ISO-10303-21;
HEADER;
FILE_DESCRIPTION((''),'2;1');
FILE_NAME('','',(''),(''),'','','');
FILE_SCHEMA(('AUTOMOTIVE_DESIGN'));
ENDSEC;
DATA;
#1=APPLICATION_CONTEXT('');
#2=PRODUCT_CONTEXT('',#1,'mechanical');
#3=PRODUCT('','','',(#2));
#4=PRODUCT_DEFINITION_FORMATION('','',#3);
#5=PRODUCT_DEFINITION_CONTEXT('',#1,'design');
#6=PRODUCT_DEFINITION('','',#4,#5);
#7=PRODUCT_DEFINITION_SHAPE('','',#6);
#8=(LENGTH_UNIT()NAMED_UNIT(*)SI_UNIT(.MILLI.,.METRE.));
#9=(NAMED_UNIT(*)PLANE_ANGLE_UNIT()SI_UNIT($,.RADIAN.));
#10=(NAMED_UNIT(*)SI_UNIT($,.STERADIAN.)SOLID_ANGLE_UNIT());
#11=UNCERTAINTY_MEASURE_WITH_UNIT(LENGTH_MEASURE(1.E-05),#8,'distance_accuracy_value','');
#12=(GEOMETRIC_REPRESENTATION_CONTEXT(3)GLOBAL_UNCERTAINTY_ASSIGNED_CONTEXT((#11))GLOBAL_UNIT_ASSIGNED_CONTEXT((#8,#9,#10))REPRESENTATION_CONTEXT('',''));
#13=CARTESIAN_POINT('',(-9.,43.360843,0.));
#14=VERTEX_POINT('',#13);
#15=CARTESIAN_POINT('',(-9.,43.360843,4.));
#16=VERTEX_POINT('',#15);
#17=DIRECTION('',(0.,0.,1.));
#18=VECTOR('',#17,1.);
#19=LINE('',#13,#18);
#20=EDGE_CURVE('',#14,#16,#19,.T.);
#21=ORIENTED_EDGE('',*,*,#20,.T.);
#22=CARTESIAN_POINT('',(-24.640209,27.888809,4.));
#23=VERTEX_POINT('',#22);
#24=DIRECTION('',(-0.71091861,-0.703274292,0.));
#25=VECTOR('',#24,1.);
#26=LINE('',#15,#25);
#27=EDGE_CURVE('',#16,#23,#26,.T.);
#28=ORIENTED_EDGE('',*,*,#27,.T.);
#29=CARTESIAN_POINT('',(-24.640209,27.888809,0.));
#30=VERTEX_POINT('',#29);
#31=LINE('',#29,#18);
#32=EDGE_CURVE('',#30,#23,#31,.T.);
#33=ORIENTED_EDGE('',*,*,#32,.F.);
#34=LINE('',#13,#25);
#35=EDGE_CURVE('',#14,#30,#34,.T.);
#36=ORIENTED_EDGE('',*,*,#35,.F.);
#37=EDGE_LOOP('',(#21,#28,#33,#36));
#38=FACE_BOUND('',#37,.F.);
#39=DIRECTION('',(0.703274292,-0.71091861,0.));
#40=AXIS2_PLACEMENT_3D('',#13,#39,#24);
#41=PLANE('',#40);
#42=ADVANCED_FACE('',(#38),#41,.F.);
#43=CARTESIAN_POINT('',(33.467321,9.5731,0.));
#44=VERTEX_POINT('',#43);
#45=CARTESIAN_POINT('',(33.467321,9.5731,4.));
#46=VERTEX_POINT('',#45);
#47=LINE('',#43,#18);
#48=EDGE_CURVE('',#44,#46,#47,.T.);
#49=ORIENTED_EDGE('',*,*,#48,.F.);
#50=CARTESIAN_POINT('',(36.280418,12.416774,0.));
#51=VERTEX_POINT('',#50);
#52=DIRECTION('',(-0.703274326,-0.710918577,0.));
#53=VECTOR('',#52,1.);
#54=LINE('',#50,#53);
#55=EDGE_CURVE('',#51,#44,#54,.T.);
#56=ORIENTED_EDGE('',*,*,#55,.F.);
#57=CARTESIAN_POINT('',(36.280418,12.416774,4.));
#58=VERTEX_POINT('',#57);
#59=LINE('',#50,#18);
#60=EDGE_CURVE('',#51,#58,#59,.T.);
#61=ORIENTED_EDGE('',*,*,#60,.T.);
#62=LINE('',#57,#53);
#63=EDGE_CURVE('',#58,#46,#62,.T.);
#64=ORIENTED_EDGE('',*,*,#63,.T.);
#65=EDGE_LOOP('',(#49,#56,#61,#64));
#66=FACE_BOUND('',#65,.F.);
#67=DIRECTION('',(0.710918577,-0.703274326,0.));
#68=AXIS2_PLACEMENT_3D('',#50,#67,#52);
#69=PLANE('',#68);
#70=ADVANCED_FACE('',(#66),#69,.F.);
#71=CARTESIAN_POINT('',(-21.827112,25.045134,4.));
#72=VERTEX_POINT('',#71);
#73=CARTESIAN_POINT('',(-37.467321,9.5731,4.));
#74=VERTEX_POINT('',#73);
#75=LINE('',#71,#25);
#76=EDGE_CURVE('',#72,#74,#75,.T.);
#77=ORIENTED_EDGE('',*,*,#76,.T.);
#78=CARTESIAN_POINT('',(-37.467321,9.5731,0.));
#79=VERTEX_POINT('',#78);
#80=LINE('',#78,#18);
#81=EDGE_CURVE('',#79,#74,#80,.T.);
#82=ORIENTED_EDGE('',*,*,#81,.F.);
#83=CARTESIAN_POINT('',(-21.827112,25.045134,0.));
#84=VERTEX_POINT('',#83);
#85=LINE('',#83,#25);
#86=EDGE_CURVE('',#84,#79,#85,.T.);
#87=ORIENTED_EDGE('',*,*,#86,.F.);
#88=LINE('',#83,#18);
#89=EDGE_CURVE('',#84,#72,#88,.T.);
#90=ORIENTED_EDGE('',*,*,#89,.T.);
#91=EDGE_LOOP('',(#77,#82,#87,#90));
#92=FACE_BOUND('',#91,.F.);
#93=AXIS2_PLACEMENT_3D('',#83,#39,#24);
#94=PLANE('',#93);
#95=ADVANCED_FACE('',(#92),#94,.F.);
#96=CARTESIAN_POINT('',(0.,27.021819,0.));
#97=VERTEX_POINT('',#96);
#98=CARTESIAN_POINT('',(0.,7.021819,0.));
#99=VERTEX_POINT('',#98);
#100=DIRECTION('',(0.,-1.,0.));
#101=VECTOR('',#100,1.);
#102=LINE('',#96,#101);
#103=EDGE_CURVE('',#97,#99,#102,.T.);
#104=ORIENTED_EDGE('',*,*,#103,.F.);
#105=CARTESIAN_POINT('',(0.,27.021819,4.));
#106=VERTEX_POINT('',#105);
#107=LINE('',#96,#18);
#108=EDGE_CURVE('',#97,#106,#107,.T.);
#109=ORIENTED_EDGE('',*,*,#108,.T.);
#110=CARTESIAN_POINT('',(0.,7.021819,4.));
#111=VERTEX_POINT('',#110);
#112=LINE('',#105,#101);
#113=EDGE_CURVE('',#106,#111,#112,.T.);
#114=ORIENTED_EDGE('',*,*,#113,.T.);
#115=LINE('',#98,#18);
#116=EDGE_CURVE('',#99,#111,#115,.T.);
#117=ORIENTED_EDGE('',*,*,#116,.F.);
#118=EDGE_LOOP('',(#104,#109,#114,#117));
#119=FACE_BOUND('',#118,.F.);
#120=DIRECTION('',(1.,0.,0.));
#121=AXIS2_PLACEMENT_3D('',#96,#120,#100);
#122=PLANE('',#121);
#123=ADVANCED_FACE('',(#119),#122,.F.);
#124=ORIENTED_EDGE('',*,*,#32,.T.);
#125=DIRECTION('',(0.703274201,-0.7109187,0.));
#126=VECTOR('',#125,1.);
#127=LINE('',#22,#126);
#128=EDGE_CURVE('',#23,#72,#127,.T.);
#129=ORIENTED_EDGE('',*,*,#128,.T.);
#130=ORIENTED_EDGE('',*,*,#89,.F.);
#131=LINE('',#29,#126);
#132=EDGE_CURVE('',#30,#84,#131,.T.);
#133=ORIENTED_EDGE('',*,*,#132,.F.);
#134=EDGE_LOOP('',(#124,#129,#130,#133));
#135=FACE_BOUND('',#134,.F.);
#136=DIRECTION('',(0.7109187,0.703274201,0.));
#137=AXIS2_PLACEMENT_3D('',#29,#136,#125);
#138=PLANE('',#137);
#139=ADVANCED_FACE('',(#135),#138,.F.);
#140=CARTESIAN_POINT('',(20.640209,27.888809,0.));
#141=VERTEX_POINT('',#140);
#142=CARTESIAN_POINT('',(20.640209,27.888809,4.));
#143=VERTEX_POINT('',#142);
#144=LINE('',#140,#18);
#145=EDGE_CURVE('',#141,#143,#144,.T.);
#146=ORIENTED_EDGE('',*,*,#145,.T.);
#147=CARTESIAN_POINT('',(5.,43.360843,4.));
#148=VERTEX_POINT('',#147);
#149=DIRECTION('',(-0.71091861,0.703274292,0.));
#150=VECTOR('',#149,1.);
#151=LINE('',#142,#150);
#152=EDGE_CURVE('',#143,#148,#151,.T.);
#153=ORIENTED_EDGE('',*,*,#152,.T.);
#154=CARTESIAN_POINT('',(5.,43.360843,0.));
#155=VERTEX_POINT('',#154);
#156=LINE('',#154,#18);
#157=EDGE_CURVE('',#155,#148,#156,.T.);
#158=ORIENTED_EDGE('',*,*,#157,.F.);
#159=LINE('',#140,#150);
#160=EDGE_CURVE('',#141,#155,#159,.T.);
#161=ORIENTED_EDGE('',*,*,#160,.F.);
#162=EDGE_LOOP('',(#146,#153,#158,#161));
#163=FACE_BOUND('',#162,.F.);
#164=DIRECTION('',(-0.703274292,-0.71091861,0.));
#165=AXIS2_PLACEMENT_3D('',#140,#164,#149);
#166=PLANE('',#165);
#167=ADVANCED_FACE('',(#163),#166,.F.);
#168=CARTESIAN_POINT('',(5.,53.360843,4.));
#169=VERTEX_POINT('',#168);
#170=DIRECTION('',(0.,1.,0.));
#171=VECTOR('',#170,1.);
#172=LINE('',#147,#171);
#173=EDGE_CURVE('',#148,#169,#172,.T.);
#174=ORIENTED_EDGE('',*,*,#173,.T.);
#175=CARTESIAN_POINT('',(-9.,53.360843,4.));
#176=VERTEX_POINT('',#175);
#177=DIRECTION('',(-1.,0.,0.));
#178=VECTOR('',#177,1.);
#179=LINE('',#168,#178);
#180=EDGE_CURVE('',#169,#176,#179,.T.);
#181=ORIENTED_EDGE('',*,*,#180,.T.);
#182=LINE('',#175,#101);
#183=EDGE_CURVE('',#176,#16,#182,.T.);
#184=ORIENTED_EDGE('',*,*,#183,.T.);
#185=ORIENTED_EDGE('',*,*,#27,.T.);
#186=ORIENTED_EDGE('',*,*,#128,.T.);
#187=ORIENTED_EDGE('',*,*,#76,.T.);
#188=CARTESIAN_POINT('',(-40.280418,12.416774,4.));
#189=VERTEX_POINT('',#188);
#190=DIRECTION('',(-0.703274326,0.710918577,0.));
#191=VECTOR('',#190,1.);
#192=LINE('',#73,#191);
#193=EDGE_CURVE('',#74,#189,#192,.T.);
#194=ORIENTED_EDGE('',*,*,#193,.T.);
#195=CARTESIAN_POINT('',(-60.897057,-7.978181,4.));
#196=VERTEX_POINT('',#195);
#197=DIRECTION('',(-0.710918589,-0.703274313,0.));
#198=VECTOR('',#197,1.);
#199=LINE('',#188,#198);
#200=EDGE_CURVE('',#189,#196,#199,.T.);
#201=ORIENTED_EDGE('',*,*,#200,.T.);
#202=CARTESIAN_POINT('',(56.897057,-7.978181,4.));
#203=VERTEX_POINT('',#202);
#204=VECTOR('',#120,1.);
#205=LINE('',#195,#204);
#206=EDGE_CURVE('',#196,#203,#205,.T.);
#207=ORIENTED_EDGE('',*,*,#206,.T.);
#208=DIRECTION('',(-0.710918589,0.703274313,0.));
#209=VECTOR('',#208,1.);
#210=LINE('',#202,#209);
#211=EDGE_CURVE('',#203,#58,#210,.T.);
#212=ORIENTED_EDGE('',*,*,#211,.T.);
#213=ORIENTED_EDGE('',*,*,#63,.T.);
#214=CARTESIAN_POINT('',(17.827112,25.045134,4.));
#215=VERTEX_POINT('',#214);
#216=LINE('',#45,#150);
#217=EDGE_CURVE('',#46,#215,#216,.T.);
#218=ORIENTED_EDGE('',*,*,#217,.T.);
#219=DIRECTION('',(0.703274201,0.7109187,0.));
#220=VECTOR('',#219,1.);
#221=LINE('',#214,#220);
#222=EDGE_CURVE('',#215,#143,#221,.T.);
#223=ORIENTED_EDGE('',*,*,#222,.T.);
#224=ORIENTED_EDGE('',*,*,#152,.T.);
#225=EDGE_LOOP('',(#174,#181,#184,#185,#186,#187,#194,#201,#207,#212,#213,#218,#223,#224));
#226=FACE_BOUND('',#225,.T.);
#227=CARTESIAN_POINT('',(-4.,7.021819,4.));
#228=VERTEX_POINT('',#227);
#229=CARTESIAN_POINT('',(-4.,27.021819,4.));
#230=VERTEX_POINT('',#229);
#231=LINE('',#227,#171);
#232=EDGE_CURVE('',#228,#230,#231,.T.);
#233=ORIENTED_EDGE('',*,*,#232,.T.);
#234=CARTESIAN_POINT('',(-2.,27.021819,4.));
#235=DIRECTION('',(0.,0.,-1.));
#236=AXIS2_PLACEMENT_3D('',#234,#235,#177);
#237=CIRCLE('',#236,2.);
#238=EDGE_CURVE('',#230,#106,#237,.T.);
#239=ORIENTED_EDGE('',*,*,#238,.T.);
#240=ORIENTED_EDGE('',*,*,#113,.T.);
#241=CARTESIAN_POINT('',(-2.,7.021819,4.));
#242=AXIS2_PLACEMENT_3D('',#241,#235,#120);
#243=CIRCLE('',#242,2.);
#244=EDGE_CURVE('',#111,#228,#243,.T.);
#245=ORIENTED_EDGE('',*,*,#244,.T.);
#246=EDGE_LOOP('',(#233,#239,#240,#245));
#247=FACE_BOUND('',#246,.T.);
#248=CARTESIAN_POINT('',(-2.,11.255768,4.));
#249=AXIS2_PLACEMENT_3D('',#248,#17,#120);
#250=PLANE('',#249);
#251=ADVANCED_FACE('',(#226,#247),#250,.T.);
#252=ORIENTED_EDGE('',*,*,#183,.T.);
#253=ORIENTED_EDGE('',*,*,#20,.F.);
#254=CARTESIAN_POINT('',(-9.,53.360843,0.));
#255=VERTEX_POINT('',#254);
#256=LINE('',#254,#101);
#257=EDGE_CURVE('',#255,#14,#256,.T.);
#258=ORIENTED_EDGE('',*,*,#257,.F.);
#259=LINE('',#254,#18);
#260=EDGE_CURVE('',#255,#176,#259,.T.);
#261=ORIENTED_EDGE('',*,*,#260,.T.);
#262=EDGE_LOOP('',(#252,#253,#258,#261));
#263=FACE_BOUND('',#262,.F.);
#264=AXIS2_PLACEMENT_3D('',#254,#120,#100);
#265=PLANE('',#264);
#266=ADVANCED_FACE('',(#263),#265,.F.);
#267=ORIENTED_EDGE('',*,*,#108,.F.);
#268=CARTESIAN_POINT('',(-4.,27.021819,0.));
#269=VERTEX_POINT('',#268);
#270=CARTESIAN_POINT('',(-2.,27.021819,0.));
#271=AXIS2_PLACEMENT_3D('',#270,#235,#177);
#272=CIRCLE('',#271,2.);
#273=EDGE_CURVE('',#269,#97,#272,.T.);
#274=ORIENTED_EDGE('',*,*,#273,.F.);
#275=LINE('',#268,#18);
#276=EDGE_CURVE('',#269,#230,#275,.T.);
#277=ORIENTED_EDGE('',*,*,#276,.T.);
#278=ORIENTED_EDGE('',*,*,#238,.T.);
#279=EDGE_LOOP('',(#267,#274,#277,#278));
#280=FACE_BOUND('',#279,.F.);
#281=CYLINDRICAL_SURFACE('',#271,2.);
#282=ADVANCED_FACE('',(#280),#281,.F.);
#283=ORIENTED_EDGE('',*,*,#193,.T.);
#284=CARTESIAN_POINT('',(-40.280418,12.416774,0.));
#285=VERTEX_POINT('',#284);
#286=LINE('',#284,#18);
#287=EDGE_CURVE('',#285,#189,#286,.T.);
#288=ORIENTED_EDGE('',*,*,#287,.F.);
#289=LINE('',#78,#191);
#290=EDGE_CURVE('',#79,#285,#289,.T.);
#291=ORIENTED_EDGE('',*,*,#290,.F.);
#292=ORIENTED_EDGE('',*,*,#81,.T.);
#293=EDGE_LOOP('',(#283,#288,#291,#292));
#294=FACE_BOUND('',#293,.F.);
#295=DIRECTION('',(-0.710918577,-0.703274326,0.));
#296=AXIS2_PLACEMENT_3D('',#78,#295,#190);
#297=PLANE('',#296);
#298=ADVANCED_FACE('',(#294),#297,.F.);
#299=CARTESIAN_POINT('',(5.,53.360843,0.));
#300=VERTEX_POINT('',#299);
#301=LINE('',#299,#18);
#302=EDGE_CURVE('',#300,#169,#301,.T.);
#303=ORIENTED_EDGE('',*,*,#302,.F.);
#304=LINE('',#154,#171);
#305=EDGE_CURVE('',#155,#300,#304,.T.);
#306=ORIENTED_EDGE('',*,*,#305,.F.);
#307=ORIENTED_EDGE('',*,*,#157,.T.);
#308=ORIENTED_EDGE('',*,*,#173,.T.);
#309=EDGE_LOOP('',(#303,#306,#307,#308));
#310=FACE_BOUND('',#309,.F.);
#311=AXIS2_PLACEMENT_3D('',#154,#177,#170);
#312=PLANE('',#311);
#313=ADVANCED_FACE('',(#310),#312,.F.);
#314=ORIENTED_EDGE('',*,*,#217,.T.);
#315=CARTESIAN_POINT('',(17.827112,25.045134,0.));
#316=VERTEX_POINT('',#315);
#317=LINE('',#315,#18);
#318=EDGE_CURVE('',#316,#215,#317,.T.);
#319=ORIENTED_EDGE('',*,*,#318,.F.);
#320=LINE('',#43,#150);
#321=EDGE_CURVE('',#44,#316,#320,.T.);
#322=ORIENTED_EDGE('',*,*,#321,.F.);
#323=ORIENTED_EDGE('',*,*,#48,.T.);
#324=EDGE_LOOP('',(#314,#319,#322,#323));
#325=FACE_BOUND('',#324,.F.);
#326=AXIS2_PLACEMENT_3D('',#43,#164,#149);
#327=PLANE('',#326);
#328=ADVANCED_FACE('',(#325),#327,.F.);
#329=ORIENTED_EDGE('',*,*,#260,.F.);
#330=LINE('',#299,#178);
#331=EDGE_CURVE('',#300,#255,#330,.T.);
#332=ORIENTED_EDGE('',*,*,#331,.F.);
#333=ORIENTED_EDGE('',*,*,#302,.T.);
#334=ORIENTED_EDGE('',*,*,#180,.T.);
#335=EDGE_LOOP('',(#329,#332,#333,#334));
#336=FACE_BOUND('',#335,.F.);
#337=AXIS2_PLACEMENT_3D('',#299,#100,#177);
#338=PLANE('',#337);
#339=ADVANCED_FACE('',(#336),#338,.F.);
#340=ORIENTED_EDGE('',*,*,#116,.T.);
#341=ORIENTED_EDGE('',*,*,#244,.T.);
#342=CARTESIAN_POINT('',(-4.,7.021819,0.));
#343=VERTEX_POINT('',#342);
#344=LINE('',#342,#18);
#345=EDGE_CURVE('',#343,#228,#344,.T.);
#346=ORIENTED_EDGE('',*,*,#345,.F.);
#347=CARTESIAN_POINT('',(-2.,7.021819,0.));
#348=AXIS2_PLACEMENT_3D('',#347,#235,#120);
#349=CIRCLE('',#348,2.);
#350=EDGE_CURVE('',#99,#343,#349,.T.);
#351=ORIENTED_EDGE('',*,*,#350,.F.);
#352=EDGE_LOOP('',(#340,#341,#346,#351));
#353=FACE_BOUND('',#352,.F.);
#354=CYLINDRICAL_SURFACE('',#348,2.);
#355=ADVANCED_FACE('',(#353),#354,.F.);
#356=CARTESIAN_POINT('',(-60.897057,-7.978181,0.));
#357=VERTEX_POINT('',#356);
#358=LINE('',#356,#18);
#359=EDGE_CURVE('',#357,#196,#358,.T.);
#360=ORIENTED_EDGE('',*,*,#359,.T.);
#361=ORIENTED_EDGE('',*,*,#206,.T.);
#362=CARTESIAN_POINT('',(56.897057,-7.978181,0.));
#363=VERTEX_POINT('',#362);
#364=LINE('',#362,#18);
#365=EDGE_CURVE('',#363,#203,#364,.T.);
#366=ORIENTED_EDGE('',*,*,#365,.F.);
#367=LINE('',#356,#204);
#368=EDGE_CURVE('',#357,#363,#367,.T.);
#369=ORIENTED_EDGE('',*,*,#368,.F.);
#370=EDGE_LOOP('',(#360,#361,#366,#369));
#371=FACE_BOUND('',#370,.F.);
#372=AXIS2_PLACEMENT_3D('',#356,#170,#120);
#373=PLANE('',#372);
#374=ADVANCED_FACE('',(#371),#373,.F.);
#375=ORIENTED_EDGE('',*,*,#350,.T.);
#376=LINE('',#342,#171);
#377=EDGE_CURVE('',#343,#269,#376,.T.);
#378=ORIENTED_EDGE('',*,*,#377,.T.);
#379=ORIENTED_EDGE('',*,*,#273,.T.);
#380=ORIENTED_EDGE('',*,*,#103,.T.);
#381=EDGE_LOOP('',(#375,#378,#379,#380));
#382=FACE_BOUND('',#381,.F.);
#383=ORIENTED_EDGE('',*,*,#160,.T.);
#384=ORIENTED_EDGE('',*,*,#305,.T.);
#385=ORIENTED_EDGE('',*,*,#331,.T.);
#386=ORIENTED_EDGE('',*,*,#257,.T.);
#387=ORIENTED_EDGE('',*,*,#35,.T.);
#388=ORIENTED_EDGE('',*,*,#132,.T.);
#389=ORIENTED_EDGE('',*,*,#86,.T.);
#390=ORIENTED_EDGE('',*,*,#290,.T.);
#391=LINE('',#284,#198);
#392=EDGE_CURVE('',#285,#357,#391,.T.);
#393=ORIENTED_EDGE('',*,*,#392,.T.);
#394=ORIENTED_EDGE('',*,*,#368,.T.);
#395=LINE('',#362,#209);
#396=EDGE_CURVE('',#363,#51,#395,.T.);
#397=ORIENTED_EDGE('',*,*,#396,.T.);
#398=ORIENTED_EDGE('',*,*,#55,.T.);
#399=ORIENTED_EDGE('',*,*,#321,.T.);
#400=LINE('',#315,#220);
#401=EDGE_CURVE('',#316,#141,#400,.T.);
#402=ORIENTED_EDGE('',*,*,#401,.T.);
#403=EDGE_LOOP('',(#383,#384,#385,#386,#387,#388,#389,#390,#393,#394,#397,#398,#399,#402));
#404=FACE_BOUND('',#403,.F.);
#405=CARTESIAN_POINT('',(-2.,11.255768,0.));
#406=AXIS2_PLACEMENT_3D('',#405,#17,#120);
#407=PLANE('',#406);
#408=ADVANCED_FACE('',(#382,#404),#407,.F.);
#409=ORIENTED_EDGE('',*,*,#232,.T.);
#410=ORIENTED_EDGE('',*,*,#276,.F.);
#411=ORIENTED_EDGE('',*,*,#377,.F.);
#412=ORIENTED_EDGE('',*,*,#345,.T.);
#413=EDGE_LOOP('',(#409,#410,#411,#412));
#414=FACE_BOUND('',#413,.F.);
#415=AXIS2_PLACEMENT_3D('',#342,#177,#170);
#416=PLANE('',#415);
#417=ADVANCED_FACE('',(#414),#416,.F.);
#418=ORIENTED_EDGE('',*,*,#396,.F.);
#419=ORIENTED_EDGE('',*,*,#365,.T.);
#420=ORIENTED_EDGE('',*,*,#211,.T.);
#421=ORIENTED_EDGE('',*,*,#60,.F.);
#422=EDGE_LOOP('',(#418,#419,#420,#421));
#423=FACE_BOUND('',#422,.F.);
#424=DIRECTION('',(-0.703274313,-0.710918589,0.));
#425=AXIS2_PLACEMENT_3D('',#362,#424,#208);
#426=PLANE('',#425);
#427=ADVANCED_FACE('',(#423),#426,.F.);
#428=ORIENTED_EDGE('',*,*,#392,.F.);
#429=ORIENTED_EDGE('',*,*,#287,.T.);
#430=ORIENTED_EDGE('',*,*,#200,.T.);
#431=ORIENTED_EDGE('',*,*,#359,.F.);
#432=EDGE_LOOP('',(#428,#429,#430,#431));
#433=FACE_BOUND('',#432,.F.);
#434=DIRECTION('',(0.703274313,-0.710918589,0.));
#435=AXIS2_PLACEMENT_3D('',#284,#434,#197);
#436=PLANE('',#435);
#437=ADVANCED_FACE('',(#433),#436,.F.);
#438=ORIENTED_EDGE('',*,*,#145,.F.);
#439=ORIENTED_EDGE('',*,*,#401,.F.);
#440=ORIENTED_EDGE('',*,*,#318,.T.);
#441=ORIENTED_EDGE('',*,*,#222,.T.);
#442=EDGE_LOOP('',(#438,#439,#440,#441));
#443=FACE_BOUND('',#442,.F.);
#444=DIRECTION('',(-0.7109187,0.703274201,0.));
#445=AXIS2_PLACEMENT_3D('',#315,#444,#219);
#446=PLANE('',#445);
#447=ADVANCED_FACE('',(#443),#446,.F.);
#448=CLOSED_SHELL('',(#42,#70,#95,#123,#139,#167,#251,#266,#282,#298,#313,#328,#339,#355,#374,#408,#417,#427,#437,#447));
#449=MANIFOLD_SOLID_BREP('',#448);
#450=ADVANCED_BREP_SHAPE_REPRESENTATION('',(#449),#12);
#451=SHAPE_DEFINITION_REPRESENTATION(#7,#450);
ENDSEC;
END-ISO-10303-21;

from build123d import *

# Parameters (mm, degrees)
F1_DEPTH = 4


with BuildPart() as f1:
    # F0 (on Top) → F1 (new body)
    with BuildSketch(Plane.XY):
        Polygon((-24.640209, 27.888809), (-21.827112, 25.045134), (-37.467321, 9.5731), (-40.280418, 12.416774), (-60.897057, -7.978181), (56.897057, -7.978181), (36.280418, 12.416774), (33.467321, 9.5731), (17.827112, 25.045134), (20.640209, 27.888809), (5, 43.360843), (5, 53.360843), (-9, 53.360843), (-9, 43.360843), align=None)
        with BuildLine():
            Line((0, 27.021819), (0, 7.021819))
            ThreePointArc((0, 7.021819), (-2, 5.021819), (-4, 7.021819))
            Line((-4, 7.021819), (-4, 27.021819))
            ThreePointArc((-4, 27.021819), (-2, 29.021819), (0, 27.021819))
        make_face(mode=Mode.SUBTRACT)
    extrude(amount=F1_DEPTH)


solid = f1.part
